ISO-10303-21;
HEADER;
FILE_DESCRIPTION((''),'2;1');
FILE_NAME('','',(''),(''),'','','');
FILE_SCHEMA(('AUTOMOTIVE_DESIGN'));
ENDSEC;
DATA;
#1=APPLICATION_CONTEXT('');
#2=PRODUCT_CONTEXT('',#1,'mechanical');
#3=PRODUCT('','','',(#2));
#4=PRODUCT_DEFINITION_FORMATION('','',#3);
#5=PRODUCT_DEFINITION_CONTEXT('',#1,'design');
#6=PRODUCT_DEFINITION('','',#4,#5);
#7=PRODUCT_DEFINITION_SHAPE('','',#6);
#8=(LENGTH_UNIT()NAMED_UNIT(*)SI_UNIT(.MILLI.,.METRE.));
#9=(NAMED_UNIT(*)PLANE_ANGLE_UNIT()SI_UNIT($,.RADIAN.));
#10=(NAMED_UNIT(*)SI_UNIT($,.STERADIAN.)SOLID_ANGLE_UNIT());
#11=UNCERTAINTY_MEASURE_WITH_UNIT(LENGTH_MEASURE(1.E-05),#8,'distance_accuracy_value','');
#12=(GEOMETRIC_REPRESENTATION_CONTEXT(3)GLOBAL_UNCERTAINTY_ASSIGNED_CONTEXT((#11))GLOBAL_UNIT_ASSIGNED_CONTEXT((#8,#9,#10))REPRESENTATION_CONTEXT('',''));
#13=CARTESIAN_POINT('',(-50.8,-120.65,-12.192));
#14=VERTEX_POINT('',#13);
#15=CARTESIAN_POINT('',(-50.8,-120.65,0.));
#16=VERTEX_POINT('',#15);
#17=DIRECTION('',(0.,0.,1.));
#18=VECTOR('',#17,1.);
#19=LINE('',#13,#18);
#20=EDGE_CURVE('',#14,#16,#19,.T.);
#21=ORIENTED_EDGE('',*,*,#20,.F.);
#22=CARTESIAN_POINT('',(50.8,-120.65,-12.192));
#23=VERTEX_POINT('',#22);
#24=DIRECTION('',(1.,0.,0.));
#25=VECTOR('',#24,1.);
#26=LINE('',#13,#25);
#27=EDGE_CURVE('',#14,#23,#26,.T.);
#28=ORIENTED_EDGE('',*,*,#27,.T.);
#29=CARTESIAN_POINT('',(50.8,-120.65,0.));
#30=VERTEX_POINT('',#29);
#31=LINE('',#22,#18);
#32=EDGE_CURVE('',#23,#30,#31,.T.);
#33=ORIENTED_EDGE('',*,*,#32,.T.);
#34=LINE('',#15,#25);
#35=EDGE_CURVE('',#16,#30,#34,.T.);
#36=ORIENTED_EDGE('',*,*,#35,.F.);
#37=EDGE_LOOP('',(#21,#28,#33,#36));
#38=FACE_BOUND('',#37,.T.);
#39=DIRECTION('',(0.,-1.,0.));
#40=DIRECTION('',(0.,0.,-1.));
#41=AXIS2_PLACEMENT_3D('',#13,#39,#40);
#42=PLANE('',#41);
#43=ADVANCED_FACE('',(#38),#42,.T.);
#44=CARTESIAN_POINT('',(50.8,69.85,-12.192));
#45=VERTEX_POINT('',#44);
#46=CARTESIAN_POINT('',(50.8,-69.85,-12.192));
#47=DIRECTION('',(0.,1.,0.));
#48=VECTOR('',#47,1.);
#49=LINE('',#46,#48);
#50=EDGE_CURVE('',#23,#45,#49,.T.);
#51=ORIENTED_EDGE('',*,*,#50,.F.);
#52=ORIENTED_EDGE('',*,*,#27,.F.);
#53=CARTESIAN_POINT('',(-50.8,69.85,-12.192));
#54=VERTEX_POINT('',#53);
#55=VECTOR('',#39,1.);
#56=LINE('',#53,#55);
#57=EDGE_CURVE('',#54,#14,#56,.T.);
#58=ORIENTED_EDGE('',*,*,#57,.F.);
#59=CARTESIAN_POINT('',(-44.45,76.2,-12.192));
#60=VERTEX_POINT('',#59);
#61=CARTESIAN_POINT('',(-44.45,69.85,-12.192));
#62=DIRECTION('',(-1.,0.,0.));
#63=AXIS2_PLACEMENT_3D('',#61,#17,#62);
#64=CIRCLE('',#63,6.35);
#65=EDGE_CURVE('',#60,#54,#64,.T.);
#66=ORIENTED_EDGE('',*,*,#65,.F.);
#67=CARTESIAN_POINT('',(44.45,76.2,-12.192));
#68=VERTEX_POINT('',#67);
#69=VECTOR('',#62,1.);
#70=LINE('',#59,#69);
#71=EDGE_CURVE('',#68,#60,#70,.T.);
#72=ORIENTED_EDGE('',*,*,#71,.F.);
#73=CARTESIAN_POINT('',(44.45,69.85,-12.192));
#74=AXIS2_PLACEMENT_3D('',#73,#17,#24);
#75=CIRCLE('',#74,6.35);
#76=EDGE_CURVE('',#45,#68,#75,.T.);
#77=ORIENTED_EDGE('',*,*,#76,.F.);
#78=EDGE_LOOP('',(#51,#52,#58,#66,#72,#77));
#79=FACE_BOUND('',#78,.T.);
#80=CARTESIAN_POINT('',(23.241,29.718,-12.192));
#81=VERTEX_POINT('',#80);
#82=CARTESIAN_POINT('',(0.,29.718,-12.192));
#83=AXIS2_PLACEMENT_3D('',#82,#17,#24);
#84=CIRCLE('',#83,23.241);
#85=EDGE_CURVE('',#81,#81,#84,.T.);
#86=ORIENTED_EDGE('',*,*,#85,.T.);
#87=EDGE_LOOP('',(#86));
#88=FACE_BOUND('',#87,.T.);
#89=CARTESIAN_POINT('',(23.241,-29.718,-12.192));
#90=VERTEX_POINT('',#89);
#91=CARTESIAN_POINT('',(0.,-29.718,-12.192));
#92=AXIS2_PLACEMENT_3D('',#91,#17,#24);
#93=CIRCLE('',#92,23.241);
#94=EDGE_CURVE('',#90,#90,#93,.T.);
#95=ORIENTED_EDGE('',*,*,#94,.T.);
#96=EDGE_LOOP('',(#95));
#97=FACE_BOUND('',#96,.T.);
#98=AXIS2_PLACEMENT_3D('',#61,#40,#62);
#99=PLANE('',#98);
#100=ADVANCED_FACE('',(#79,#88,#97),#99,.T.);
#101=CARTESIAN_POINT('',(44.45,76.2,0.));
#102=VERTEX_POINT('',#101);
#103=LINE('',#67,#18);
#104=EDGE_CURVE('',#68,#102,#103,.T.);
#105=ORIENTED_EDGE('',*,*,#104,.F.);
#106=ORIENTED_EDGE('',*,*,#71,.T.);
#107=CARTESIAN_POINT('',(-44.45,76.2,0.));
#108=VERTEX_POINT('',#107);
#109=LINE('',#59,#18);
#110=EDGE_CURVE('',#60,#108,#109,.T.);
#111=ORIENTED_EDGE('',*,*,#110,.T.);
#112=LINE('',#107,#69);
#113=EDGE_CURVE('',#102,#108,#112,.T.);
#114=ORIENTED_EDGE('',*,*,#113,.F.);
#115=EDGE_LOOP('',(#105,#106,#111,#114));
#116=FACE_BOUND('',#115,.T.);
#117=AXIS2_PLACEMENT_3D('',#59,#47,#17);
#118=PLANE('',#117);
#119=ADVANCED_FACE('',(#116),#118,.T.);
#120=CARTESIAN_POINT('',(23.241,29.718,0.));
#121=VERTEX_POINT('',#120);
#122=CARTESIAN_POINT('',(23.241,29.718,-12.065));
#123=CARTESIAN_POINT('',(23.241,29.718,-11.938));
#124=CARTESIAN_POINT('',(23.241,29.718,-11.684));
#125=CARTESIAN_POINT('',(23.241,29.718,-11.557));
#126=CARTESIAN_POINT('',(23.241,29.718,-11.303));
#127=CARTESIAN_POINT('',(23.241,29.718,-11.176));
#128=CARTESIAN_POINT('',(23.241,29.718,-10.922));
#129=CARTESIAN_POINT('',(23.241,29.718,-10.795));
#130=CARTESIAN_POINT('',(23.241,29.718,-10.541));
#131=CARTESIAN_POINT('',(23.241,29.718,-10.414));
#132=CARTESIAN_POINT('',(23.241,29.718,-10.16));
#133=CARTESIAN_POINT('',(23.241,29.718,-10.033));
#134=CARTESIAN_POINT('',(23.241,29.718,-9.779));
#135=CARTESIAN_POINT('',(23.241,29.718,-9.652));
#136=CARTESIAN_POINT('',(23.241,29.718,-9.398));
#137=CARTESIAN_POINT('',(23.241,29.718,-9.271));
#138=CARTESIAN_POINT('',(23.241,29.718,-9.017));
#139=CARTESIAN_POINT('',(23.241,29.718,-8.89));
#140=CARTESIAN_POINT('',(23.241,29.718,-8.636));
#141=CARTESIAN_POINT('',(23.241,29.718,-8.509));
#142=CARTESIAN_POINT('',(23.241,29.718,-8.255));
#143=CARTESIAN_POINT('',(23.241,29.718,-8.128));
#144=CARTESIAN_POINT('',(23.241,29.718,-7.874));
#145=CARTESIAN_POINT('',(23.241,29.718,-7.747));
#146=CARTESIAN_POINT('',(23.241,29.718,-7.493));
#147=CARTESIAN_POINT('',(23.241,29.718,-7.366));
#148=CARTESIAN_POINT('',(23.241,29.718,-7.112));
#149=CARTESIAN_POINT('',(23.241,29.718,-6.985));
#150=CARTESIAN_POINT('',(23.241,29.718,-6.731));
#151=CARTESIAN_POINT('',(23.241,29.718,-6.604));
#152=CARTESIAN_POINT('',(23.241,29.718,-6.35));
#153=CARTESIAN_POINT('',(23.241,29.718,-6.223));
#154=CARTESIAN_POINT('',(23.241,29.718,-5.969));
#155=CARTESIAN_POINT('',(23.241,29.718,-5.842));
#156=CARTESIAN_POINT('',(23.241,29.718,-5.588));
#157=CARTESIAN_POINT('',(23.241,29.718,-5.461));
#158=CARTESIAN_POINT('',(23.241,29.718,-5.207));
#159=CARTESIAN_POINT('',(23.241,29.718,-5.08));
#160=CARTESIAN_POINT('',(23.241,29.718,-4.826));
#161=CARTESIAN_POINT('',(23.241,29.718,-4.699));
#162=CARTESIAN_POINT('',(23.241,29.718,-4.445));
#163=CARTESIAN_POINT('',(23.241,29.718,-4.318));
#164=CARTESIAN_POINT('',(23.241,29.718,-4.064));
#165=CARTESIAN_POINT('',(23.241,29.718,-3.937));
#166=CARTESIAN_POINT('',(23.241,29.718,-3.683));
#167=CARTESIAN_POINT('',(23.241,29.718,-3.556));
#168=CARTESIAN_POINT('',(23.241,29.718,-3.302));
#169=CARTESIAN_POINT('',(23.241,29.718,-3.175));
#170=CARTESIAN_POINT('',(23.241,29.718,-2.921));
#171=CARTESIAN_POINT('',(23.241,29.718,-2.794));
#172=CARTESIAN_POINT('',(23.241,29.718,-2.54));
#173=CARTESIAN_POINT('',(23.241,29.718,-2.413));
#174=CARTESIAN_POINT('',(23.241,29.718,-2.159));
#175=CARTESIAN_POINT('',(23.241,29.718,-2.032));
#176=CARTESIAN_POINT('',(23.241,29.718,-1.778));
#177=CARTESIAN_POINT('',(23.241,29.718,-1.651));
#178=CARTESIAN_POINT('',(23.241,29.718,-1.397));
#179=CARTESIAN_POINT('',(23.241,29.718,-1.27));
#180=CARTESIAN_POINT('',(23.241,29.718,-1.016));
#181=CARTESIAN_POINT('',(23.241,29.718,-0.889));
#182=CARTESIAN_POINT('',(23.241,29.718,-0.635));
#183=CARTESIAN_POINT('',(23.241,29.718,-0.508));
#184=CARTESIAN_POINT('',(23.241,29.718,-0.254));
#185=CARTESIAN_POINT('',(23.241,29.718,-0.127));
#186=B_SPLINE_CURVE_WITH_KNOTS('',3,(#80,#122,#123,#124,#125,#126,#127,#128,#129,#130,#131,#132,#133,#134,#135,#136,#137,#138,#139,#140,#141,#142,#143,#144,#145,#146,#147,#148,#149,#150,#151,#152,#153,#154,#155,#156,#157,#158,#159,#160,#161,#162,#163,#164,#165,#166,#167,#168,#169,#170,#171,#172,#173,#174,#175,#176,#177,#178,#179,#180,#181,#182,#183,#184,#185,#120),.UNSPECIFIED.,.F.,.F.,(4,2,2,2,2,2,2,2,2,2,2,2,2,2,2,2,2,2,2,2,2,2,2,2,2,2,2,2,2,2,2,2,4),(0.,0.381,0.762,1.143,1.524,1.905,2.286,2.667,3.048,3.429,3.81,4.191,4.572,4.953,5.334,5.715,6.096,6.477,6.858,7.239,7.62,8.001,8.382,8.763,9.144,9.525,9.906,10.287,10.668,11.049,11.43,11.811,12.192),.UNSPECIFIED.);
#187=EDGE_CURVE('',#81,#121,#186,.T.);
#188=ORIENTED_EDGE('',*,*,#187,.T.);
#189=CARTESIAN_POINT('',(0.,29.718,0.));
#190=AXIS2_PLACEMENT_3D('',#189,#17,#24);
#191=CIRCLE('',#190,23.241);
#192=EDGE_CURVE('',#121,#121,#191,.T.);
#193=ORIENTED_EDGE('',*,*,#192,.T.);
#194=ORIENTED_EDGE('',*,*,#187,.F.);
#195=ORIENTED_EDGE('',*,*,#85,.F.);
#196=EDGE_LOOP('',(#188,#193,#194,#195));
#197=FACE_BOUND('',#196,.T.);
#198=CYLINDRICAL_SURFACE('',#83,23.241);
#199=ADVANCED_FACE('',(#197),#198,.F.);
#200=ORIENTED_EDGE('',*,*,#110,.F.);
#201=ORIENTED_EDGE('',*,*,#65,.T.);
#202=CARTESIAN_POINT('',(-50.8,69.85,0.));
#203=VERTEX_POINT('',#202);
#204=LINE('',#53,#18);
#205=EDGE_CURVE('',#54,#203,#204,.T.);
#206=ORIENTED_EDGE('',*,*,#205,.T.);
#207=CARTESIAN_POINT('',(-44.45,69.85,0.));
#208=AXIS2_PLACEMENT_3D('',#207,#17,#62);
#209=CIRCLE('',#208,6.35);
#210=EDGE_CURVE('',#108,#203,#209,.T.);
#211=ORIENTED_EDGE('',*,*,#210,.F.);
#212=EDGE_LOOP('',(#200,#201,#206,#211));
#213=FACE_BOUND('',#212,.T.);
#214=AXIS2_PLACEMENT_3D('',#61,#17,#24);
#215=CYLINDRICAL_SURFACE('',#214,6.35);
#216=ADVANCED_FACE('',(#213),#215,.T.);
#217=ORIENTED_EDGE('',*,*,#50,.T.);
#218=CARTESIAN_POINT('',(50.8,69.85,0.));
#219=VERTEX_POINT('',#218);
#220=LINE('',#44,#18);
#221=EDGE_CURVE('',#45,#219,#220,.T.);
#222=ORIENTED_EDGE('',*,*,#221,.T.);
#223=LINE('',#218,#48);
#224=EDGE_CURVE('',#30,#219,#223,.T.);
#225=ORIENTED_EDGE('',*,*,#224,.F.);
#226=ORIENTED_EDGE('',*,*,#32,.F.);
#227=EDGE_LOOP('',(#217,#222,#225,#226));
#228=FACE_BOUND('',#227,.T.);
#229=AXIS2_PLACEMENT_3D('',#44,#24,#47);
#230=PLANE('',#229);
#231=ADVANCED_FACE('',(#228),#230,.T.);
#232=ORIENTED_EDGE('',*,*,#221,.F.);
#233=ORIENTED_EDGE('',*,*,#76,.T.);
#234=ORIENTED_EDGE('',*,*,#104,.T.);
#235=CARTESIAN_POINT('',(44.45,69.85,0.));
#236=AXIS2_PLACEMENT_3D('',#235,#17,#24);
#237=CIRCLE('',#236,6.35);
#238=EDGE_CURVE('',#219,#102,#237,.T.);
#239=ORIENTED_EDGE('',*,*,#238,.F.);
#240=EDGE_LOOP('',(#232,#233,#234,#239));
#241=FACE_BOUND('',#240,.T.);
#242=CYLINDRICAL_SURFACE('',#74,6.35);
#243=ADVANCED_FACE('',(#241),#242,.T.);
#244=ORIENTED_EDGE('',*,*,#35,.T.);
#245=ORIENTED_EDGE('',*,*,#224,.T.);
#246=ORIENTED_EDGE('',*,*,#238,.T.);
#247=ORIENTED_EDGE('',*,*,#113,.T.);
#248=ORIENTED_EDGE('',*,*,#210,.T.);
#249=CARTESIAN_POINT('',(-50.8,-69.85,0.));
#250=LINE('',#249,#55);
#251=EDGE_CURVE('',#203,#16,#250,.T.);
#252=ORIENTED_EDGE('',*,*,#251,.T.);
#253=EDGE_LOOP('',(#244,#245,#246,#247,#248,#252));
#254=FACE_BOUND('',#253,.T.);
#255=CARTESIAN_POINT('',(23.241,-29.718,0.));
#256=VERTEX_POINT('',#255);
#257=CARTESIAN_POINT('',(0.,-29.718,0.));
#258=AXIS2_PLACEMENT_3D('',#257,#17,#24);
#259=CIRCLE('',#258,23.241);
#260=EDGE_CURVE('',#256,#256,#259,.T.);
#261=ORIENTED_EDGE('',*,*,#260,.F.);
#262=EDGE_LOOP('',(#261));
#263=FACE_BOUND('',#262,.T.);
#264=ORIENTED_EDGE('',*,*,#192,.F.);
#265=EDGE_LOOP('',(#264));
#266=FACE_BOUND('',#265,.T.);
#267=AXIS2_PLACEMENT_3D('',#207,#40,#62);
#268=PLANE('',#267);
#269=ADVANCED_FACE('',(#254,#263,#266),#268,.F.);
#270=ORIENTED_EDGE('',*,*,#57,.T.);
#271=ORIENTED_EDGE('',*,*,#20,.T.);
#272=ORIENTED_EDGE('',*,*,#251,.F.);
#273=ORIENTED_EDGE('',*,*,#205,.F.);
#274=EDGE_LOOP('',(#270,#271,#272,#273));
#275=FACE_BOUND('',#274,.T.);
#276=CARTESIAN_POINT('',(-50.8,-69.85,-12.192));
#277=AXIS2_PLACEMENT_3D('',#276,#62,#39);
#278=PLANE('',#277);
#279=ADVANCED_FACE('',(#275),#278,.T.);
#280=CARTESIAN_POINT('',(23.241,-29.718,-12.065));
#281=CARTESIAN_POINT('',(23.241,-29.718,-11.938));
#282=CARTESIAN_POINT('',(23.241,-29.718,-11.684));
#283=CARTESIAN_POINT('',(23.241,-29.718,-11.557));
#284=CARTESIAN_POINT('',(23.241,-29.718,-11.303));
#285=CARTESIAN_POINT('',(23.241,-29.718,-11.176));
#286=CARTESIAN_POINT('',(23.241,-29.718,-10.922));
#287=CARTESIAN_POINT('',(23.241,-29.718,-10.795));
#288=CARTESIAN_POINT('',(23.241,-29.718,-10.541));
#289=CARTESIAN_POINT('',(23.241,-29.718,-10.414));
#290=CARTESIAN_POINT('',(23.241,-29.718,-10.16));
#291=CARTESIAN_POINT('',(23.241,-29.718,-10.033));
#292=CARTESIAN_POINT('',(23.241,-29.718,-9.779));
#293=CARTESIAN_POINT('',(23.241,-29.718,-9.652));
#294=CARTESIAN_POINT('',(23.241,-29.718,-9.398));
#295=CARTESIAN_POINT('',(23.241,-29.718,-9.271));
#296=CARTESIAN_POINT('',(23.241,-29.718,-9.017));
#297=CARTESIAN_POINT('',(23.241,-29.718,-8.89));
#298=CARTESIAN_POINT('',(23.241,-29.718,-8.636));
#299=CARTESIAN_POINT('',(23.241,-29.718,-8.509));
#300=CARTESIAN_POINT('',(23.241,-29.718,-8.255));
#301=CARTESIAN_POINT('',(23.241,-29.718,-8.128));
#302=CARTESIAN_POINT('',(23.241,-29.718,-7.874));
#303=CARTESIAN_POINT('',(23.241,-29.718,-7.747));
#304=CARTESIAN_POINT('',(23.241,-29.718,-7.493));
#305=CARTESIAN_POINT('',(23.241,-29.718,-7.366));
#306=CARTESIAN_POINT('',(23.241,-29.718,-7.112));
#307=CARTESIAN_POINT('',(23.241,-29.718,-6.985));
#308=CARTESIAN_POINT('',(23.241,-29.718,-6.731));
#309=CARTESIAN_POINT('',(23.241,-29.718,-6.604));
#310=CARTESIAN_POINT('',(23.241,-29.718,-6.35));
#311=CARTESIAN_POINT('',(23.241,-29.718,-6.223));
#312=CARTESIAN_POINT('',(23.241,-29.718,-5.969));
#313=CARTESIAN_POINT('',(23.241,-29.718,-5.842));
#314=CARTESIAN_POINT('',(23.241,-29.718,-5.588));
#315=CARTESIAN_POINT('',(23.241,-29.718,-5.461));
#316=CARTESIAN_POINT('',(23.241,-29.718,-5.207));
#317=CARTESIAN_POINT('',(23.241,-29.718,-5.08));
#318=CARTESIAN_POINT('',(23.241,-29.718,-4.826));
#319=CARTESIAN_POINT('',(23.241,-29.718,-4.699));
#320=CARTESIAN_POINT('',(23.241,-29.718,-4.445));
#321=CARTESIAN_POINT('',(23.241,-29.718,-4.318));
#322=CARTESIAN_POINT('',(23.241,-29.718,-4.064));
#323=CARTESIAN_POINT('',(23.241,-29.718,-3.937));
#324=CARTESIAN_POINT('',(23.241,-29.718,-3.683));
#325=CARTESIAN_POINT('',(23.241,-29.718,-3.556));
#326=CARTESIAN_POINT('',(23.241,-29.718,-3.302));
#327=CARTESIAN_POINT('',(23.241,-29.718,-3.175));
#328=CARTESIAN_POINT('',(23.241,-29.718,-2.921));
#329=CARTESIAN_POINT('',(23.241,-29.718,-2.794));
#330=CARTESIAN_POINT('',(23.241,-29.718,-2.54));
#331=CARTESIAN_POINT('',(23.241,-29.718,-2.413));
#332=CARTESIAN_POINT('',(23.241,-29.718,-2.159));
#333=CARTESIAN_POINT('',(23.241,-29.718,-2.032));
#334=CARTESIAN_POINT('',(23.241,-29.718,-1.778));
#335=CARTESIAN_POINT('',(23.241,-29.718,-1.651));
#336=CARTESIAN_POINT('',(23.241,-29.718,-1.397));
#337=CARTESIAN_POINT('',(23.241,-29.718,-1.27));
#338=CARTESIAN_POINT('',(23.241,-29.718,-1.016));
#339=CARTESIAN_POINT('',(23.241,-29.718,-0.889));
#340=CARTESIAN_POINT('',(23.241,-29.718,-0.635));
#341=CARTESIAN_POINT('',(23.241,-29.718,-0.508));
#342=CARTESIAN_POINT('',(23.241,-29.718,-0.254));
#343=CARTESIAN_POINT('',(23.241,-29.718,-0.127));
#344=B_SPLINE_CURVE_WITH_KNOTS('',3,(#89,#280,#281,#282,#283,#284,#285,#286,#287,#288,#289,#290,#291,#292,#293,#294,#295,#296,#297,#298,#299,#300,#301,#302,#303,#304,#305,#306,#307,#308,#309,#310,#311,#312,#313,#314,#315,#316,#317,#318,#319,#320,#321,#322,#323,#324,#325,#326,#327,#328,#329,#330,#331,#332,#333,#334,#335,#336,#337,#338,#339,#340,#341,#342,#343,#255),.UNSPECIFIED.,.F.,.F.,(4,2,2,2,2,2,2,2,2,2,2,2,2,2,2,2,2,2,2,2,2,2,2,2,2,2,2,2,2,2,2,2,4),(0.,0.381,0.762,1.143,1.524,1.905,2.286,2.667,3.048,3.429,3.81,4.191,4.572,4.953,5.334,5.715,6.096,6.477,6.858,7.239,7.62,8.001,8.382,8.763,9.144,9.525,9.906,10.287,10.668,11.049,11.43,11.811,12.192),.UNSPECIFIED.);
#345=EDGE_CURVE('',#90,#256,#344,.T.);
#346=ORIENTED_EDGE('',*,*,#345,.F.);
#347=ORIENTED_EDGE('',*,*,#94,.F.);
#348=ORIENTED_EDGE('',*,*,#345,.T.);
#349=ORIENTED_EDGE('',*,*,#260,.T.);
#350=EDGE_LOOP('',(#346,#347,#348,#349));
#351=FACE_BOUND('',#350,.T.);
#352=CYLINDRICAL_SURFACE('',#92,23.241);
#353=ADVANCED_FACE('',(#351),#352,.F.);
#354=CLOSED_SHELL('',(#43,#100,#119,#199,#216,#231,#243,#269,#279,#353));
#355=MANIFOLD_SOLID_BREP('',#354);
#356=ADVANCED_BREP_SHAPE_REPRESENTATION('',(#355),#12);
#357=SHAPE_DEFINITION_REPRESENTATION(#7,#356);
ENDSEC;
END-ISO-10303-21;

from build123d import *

# Parameters (mm, degrees)
SKETCH1_R           = 23.241
BOSS_EXTRUDE1_DEPTH = 12.192


with BuildPart() as part:
    # Sketch1 → Boss-Extrude1 (new body)
    with BuildSketch(Plane.XY):
        with BuildLine():
            Line((-44.45, 76.2), (44.45, 76.2))
            ThreePointArc((44.45, 76.2), (48.940128061, 74.340128061), (50.8, 69.85))
            Line((50.8, 69.85), (50.8, -69.85))
            Line((50.8, -69.85), (50.8, -120.65))
            Line((50.8, -120.65), (-50.8, -120.65))
            Line((-50.8, -120.65), (-50.8, -69.85))
            Line((-50.8, -69.85), (-50.8, 69.85))
            ThreePointArc((-50.8, 69.85), (-48.940128061, 74.340128061), (-44.45, 76.2))
        make_face()
        with Locations((0, 29.718)):
            Circle(SKETCH1_R, mode=Mode.SUBTRACT)
        with Locations((0, -29.718)):
            Circle(SKETCH1_R, mode=Mode.SUBTRACT)
    extrude(amount=-BOSS_EXTRUDE1_DEPTH)


solid = part.part
